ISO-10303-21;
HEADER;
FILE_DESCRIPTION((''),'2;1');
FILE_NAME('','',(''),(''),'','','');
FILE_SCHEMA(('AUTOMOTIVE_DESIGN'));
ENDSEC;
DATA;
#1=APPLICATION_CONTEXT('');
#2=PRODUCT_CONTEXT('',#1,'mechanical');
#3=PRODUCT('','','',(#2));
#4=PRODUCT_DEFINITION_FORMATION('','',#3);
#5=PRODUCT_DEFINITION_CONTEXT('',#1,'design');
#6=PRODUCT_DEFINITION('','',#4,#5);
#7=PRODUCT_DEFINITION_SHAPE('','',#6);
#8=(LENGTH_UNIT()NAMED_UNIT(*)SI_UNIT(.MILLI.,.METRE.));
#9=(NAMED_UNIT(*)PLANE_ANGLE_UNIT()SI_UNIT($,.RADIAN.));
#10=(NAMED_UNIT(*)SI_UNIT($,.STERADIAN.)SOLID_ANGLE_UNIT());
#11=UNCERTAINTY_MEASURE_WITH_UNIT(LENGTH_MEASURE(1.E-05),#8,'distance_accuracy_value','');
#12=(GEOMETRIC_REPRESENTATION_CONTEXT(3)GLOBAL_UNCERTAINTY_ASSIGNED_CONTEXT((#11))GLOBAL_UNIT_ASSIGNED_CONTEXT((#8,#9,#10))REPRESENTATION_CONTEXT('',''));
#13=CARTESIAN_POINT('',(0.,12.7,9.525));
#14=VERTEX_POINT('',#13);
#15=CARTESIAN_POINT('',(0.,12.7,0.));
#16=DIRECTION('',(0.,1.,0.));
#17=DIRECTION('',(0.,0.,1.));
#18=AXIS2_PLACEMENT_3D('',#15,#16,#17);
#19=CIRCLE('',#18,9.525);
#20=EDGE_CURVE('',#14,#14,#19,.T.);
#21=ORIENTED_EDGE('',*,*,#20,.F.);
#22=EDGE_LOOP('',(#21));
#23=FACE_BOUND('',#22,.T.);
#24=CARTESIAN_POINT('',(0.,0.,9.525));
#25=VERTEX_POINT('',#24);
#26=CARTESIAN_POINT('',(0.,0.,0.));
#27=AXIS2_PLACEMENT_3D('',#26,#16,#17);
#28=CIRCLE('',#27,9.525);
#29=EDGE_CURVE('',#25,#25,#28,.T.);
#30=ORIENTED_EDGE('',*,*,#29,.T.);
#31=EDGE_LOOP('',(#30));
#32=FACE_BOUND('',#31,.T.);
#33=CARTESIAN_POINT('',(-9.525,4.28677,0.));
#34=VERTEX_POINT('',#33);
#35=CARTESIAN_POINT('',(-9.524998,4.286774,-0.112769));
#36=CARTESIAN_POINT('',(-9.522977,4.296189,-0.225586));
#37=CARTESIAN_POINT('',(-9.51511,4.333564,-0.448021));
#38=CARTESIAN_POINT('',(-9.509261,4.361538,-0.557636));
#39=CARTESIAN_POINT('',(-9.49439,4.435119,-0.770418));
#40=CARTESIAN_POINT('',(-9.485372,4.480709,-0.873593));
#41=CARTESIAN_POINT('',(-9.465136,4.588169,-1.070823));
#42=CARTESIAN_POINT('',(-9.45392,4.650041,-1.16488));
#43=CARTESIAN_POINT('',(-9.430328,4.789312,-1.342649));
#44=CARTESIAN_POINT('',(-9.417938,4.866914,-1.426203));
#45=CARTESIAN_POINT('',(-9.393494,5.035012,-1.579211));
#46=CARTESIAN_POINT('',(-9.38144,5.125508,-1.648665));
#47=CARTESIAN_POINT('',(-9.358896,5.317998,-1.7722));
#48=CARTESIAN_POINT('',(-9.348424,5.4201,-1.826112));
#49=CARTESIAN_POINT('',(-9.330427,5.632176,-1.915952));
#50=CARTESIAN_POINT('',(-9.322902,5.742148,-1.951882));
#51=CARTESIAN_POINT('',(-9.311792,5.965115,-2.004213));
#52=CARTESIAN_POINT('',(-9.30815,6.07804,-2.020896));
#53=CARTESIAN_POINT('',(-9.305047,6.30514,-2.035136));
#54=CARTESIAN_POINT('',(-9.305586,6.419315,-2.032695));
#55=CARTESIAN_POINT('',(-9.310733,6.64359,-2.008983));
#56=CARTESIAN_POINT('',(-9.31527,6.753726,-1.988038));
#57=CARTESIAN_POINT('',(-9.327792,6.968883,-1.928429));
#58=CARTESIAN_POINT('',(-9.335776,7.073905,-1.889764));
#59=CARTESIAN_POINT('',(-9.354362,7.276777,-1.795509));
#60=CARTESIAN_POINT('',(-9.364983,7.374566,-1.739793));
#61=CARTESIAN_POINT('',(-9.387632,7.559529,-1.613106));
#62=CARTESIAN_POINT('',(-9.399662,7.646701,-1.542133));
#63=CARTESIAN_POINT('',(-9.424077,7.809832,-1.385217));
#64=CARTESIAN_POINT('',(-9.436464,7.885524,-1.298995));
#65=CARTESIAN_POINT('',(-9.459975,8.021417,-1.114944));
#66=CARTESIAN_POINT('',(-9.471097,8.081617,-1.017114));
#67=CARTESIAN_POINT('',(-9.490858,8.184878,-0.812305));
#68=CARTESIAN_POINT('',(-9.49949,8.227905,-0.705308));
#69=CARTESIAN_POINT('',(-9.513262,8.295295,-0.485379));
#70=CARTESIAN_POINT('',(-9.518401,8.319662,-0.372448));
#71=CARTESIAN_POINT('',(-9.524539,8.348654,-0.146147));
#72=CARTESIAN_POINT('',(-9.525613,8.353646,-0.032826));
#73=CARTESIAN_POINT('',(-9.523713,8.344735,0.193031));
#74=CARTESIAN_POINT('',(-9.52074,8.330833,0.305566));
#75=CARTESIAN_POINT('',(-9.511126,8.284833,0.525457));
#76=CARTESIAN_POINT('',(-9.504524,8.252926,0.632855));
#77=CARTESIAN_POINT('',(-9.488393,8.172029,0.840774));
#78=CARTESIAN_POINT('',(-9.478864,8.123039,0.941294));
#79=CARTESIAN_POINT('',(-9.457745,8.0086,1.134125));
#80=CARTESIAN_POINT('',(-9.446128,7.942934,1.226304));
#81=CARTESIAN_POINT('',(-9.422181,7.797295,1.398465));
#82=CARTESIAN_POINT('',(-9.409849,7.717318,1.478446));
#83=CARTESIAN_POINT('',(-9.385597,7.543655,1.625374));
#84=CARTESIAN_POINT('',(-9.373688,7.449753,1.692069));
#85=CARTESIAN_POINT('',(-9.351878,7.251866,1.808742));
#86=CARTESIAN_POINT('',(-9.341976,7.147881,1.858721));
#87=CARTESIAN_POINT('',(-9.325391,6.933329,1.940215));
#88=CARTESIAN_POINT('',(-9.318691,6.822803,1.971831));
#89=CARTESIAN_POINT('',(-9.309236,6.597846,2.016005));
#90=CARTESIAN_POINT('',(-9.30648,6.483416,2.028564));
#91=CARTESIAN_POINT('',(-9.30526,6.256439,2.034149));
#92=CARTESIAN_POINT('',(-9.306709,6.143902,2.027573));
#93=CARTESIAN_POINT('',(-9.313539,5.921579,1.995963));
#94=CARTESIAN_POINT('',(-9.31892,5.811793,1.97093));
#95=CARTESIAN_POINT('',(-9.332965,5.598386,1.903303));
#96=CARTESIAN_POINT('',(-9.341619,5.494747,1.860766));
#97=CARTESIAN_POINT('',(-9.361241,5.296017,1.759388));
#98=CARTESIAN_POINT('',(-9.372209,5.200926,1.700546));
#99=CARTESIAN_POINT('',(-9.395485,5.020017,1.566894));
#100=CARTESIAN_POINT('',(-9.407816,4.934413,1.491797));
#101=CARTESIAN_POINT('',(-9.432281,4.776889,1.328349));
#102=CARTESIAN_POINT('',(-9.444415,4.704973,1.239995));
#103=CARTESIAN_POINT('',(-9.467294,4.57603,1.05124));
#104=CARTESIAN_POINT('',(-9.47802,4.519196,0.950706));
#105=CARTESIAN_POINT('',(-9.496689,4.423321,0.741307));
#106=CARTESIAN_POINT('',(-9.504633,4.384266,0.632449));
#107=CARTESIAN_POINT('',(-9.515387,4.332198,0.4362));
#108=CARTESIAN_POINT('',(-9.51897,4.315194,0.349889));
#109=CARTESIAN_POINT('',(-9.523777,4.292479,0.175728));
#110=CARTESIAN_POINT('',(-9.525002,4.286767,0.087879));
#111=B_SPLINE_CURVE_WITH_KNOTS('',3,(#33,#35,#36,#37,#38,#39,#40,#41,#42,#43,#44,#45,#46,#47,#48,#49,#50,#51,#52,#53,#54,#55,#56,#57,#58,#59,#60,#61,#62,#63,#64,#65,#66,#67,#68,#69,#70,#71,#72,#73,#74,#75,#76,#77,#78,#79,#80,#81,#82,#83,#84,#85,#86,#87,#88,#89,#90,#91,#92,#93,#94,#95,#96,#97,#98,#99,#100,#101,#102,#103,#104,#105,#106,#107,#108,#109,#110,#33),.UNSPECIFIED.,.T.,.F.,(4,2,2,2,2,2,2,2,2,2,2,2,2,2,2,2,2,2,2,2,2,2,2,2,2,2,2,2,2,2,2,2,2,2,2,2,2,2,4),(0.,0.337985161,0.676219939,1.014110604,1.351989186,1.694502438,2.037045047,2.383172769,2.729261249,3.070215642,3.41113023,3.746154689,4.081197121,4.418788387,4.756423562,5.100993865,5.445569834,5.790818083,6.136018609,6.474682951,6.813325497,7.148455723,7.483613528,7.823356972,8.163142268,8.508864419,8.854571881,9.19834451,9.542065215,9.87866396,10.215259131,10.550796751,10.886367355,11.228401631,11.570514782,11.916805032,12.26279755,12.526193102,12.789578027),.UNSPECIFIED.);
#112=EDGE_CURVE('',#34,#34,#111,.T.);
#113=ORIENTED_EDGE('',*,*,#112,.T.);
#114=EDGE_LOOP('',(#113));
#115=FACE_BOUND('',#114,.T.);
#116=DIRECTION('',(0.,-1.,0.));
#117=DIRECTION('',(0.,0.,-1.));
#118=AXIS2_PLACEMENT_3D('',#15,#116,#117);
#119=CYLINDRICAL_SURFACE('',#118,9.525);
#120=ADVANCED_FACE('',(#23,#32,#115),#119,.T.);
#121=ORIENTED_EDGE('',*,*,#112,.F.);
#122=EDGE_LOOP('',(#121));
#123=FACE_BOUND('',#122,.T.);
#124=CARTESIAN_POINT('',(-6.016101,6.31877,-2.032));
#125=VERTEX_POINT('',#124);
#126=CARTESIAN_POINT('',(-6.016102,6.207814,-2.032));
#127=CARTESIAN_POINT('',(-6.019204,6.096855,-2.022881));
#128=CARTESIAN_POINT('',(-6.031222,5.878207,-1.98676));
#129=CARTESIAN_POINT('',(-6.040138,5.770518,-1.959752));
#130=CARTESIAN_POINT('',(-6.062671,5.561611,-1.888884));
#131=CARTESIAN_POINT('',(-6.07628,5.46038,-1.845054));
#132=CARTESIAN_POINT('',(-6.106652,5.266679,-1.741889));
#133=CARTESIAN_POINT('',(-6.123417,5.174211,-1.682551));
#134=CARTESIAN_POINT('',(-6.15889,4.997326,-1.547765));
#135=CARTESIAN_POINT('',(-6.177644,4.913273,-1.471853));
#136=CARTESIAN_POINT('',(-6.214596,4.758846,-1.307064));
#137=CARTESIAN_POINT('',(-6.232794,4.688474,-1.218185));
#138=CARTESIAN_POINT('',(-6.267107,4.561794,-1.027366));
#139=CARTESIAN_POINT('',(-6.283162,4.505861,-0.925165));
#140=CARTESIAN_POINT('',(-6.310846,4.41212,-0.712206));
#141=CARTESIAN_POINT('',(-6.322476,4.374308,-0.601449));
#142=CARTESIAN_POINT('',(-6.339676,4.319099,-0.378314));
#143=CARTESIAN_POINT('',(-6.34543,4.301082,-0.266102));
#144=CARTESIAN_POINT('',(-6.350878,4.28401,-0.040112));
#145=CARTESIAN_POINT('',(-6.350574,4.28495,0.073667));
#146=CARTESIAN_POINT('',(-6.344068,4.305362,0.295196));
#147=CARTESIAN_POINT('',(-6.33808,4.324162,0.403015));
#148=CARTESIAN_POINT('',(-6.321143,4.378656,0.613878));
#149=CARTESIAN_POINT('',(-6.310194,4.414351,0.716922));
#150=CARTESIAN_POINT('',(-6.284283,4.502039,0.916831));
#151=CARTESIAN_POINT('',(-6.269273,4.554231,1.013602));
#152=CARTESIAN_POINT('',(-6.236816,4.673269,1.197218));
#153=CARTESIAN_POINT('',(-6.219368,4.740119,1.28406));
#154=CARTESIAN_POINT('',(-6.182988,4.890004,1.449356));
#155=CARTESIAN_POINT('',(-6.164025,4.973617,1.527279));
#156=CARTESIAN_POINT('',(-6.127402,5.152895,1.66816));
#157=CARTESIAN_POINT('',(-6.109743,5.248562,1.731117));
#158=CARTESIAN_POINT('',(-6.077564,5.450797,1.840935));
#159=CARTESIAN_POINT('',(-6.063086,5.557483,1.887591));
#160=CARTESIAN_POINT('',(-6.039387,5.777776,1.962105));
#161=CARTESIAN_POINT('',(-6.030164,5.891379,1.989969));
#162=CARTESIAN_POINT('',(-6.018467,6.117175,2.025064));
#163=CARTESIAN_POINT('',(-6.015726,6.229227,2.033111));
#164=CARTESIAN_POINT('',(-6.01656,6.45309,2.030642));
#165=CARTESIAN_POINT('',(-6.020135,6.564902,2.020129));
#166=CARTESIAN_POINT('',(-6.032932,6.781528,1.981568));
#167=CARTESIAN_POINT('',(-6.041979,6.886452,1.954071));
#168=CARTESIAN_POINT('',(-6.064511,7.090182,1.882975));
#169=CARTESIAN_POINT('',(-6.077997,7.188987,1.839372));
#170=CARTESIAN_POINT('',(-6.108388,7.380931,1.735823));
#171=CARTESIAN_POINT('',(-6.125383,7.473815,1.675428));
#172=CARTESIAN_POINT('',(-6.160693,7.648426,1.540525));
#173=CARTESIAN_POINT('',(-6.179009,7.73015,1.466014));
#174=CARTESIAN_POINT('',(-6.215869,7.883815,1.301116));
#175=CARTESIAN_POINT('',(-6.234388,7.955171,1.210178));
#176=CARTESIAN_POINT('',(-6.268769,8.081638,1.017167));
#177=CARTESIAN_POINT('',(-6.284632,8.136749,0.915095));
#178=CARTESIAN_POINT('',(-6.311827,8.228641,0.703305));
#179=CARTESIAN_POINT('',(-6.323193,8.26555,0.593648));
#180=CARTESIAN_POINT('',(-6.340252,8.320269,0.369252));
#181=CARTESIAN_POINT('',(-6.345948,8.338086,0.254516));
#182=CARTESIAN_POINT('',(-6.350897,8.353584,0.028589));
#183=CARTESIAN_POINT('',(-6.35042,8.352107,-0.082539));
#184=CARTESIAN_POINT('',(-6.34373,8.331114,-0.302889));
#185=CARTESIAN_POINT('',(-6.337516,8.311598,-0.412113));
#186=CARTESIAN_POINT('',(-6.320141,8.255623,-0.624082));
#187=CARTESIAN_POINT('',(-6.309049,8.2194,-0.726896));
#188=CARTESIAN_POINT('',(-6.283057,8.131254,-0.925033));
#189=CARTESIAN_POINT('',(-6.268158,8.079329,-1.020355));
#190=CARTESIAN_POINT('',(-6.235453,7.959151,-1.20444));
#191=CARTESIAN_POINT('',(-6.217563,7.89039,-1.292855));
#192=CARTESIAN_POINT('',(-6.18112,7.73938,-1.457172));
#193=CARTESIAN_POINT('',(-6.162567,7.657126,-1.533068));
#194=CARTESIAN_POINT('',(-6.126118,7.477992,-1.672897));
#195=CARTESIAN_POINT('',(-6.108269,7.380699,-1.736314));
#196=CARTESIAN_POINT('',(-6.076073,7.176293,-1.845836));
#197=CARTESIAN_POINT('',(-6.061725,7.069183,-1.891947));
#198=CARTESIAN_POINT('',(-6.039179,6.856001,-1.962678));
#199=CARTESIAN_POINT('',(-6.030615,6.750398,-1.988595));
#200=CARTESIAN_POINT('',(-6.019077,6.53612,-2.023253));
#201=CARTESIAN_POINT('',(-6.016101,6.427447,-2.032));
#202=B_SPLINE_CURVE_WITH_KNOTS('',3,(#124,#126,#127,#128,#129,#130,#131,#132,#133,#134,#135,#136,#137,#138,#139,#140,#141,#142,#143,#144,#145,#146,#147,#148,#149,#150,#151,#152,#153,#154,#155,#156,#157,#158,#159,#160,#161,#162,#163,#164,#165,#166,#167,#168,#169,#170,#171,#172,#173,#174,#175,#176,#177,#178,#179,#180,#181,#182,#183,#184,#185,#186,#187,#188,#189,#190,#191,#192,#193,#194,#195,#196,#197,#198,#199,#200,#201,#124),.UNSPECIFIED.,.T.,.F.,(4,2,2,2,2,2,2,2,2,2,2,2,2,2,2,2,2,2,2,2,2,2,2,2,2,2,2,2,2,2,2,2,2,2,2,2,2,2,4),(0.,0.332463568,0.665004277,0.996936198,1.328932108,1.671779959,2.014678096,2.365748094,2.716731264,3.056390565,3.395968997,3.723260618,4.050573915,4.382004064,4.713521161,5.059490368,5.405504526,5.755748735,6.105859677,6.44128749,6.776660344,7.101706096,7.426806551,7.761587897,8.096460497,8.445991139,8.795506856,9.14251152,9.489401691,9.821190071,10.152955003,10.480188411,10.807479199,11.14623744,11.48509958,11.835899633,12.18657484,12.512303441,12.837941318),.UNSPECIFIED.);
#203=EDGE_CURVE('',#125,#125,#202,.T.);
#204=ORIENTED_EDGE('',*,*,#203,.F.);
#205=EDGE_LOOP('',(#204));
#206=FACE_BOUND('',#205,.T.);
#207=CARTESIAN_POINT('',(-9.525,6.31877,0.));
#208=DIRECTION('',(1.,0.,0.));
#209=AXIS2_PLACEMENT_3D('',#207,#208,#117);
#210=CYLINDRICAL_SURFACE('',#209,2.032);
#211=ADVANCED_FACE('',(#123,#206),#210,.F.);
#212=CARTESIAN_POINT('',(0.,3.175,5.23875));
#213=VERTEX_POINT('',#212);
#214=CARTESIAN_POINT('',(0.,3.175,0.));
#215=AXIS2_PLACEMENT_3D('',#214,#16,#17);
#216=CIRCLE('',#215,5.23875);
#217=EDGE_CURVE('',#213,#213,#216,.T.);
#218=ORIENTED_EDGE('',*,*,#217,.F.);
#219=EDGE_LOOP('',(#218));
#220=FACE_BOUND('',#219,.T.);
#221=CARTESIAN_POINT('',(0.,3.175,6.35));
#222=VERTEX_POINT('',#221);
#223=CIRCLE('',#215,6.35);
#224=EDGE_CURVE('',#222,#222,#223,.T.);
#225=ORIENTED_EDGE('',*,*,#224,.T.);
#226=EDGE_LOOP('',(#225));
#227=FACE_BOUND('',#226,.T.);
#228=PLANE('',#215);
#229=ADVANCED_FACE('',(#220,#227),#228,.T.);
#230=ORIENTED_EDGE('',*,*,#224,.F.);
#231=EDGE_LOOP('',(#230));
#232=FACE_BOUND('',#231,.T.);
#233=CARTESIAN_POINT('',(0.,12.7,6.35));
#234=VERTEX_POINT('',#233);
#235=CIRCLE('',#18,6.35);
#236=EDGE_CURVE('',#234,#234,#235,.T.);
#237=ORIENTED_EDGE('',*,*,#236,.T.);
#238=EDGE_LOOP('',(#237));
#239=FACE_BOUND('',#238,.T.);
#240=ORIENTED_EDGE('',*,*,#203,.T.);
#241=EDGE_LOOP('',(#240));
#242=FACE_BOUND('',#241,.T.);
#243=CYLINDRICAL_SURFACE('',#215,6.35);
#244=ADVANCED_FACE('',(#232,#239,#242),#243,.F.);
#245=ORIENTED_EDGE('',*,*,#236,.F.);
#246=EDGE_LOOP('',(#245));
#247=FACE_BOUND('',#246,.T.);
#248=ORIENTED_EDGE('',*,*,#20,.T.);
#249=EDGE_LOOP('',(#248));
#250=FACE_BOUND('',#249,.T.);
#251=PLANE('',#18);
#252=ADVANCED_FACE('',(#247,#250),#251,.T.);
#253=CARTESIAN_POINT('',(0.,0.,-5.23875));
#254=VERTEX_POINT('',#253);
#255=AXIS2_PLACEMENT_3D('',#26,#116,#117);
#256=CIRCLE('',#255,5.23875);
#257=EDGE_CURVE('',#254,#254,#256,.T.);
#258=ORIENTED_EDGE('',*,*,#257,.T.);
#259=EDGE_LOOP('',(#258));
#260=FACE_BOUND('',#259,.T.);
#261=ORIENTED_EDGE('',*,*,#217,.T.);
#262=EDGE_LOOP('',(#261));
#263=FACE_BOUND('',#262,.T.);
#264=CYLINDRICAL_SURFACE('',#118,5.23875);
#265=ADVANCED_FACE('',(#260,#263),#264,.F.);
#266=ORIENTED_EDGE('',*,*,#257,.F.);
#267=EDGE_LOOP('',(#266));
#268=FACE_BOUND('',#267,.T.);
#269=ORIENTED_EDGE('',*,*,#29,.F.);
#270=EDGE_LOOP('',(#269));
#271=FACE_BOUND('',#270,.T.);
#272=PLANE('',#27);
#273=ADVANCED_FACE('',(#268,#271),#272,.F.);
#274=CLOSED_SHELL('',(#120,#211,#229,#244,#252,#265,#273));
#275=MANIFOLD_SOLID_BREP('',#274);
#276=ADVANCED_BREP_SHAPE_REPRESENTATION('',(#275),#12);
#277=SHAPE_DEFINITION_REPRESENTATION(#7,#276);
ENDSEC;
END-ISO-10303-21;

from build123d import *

# Parameters (mm, degrees)
SKETCH1_R           = 9.525
BOSS_EXTRUDE1_DEPTH = 12.7
SKETCH2_R           = 6.35
CUT_EXTRUDE1_DEPTH  = 9.525
SKETCH3_R           = 2.032
CUT_EXTRUDE2_DEPTH  = 19.513272266
SKETCH4_R           = 5.23875
CUT_EXTRUDE3_DEPTH  = 19.513272438


with BuildPart() as part:
    # Sketch1 → Boss-Extrude1 (new body)
    with BuildSketch(Plane(origin=(0, 0, 0), x_dir=(1, 0, 0), z_dir=(0, 1, 0))):
        with Locations(Location((0, 0, 0), (0, 0, 270))):
            Circle(SKETCH1_R)
    extrude(amount=BOSS_EXTRUDE1_DEPTH)

    # Sketch2 → Cut-Extrude1 (cut)
    with BuildSketch(Plane(origin=(0, 12.7, 0), x_dir=(1, 0, 0), z_dir=(0, 1, 0))):
        with Locations(Location((0, 0, 0), (0, 0, 270))):
            Circle(SKETCH2_R)
    extrude(amount=-CUT_EXTRUDE1_DEPTH, mode=Mode.SUBTRACT)

    # Sketch3 → Cut-Extrude2 (cut, through all)
    with BuildSketch(Plane(origin=(0, 0, 0), x_dir=(0, 0, -1), z_dir=(1, 0, 0))):
        with Locations((0, 6.318769588)):
            Circle(SKETCH3_R)
    extrude(amount=-CUT_EXTRUDE2_DEPTH, mode=Mode.SUBTRACT)

    # Sketch4 → Cut-Extrude3 (cut, through all)
    with BuildSketch(Plane.XZ):
        with Locations(Location((0, 0, 0), (0, 0, 270))):
            Circle(SKETCH4_R)
    extrude(amount=-CUT_EXTRUDE3_DEPTH, mode=Mode.SUBTRACT)


solid = part.part
